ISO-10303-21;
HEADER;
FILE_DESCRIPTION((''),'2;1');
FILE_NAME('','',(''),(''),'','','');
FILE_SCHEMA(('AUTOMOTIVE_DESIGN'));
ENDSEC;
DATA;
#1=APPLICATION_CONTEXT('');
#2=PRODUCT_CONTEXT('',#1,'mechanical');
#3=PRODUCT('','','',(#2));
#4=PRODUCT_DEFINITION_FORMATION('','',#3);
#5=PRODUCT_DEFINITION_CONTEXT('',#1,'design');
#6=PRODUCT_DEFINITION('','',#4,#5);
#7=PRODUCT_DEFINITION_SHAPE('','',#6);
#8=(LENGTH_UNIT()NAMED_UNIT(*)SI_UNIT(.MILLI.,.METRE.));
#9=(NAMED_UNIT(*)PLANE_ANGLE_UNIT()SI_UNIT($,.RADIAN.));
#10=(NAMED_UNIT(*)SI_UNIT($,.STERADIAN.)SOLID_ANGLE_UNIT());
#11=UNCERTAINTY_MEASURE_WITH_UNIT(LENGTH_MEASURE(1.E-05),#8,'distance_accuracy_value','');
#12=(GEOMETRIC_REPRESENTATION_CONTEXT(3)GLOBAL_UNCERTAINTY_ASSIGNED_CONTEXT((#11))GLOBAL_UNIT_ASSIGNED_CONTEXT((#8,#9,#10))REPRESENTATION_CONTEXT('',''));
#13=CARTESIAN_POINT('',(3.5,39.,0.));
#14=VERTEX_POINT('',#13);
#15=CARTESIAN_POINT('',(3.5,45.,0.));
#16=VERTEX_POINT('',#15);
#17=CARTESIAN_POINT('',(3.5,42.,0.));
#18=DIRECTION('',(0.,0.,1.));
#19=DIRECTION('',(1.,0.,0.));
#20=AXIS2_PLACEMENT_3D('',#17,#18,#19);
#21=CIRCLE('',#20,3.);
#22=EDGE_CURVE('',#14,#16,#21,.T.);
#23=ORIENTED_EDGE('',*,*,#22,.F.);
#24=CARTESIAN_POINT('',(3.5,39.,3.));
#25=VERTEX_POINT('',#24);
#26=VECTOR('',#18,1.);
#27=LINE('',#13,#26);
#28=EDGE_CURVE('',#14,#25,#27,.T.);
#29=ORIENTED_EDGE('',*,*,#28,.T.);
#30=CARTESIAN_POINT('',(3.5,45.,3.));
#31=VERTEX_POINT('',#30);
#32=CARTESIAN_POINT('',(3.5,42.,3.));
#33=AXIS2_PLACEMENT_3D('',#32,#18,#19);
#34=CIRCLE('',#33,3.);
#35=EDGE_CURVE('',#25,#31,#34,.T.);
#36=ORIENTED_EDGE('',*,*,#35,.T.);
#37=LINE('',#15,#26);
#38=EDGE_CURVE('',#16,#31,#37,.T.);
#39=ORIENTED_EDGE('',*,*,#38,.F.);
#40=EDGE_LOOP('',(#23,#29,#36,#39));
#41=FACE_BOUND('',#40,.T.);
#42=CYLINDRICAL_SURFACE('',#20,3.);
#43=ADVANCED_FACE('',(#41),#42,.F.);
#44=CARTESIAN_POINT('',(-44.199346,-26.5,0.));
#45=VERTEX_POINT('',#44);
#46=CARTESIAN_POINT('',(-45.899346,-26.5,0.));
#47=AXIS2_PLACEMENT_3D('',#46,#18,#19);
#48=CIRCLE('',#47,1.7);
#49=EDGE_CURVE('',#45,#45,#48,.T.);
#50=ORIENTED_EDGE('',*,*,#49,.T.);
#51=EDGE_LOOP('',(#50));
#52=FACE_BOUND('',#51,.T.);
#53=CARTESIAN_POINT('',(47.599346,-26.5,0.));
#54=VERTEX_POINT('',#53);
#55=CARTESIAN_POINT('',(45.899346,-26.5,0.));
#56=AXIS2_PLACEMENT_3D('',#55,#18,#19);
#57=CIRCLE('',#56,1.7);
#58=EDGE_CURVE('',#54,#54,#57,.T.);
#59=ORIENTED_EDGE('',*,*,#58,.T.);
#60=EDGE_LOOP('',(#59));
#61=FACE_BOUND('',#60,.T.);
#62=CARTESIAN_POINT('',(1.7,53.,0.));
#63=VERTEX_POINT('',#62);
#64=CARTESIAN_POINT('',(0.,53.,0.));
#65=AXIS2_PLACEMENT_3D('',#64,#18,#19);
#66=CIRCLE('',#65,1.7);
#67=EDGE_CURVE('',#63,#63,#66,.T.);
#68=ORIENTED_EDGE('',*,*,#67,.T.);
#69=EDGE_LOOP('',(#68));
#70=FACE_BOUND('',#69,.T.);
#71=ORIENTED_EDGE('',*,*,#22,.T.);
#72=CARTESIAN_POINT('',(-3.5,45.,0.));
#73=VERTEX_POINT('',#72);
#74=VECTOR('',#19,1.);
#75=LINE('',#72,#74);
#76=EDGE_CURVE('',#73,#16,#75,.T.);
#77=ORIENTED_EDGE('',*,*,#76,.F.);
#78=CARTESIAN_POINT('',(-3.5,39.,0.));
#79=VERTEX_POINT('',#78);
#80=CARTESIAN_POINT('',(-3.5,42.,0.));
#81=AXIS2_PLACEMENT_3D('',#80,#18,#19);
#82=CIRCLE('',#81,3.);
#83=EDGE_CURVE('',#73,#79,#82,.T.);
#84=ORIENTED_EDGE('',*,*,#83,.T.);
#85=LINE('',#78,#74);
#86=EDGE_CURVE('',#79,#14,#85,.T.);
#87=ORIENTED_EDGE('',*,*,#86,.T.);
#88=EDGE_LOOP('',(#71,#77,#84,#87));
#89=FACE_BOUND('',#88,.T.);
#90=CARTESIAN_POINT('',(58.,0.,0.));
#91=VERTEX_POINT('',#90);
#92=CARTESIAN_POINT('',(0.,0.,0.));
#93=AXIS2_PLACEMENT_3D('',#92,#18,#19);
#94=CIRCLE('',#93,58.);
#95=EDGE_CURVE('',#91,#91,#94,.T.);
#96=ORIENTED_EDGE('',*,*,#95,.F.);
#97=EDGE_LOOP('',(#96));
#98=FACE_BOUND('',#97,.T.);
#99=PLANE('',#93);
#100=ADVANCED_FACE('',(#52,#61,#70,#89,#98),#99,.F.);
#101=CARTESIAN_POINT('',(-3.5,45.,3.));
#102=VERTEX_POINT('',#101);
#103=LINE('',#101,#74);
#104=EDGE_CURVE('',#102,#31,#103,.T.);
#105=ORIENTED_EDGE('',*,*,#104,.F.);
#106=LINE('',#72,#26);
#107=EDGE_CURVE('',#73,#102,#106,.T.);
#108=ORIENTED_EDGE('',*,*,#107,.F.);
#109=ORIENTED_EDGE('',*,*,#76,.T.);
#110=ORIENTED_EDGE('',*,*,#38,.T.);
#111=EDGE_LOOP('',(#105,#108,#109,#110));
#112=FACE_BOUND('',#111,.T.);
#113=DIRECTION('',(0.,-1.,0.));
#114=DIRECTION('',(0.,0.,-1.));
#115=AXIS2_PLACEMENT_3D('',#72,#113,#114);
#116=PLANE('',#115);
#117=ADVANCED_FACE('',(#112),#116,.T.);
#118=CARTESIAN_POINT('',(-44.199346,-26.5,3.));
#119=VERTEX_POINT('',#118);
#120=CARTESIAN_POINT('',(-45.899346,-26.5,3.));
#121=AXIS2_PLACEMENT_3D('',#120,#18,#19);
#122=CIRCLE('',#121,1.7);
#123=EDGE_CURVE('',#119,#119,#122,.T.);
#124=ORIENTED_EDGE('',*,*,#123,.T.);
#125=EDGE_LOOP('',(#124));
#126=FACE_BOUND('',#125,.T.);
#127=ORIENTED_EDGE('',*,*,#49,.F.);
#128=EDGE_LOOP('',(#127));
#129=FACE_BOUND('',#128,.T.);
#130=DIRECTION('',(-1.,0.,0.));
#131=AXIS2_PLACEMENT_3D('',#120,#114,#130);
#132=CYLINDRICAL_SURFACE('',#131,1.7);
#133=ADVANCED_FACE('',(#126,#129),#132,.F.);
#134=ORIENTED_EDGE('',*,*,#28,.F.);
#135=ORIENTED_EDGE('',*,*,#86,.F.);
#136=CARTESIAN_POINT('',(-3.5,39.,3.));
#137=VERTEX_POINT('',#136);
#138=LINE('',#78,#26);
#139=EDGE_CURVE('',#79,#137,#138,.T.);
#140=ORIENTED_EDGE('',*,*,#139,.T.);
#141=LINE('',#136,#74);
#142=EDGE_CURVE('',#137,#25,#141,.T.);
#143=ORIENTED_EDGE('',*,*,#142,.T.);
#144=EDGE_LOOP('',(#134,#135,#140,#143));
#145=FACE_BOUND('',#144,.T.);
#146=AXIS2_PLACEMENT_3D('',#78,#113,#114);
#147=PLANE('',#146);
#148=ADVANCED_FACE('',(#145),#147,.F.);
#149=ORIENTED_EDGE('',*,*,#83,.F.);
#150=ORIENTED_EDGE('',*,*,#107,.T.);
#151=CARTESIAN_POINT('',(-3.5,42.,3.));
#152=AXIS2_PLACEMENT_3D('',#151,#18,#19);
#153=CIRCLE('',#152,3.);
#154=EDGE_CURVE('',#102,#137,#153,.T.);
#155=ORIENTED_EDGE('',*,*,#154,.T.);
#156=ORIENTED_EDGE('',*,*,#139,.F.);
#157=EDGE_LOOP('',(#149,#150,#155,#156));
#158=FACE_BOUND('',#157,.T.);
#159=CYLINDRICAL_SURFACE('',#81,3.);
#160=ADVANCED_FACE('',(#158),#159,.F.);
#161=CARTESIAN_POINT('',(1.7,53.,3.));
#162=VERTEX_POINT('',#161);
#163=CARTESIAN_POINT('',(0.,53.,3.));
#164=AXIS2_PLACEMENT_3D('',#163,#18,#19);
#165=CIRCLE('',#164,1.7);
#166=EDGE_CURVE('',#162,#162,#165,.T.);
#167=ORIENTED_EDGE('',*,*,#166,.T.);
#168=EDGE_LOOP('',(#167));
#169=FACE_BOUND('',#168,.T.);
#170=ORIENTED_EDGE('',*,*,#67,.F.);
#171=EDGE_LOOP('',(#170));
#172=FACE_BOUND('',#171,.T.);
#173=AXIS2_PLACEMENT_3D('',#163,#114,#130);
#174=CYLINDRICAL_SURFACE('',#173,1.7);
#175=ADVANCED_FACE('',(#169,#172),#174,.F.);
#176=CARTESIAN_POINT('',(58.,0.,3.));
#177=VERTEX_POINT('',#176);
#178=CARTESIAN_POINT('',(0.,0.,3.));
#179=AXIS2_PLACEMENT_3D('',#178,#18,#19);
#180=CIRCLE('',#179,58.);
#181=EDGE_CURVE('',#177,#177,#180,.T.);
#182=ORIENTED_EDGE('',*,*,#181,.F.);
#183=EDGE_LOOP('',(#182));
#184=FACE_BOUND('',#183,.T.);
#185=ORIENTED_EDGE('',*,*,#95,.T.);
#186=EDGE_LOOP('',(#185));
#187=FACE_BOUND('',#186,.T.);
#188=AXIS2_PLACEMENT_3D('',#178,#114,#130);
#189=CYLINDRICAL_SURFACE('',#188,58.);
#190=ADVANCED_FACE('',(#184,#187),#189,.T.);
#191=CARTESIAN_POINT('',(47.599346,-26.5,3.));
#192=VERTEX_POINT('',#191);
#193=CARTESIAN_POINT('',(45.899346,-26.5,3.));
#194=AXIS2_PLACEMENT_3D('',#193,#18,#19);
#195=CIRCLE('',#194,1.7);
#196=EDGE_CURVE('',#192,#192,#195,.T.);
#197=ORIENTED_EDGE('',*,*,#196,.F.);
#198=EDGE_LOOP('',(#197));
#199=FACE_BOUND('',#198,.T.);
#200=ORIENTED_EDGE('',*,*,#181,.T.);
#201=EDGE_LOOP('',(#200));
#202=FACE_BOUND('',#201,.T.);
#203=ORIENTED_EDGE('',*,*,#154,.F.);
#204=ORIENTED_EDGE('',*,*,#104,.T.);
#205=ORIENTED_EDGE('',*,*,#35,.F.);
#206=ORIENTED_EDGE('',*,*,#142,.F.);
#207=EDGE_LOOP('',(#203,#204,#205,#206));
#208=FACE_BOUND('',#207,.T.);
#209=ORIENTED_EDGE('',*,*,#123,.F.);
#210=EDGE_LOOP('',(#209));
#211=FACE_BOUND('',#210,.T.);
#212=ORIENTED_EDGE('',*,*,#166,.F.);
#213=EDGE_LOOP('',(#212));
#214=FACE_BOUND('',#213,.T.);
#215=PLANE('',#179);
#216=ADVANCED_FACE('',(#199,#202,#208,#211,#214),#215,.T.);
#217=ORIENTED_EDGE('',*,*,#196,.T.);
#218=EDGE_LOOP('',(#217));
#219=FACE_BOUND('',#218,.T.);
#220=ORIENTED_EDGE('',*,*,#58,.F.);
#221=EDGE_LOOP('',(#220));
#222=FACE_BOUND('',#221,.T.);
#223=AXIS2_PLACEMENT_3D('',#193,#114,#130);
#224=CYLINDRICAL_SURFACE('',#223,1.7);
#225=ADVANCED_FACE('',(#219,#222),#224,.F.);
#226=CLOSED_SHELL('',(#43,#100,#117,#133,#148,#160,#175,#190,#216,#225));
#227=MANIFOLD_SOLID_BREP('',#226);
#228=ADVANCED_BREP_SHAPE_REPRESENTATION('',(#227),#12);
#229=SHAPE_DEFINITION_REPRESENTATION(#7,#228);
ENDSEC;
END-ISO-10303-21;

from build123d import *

# Parameters (mm, degrees)
SKETCH1_R           = 58
SKETCH1_R_2         = 1.7
BOSS_EXTRUDE1_DEPTH = 3
CUT_EXTRUDE1_DEPTH  = 83.079230016


with BuildPart() as part:
    # Sketch1 → Boss-Extrude1 (new body)
    with BuildSketch(Plane.XY):
        Circle(SKETCH1_R)
        with Locations((0, 53)):
            Circle(SKETCH1_R_2, mode=Mode.SUBTRACT)
        with Locations((45.899346401, -26.5)):
            Circle(SKETCH1_R_2, mode=Mode.SUBTRACT)
        with Locations((-45.899346401, -26.5)):
            Circle(SKETCH1_R_2, mode=Mode.SUBTRACT)
    extrude(amount=BOSS_EXTRUDE1_DEPTH)

    # Sketch2 → Cut-Extrude1 (cut, through all)
    with BuildSketch(Plane.XY.offset(3)):
        with BuildLine():
            Line((3.5, 45), (-3.5, 45))
            ThreePointArc((-3.5, 45), (-6.5, 42), (-3.5, 39))
            Line((-3.5, 39), (3.5, 39))
            ThreePointArc((3.5, 39), (6.5, 42), (3.5, 45))
        make_face()
    extrude(amount=-CUT_EXTRUDE1_DEPTH, mode=Mode.SUBTRACT)


solid = part.part
